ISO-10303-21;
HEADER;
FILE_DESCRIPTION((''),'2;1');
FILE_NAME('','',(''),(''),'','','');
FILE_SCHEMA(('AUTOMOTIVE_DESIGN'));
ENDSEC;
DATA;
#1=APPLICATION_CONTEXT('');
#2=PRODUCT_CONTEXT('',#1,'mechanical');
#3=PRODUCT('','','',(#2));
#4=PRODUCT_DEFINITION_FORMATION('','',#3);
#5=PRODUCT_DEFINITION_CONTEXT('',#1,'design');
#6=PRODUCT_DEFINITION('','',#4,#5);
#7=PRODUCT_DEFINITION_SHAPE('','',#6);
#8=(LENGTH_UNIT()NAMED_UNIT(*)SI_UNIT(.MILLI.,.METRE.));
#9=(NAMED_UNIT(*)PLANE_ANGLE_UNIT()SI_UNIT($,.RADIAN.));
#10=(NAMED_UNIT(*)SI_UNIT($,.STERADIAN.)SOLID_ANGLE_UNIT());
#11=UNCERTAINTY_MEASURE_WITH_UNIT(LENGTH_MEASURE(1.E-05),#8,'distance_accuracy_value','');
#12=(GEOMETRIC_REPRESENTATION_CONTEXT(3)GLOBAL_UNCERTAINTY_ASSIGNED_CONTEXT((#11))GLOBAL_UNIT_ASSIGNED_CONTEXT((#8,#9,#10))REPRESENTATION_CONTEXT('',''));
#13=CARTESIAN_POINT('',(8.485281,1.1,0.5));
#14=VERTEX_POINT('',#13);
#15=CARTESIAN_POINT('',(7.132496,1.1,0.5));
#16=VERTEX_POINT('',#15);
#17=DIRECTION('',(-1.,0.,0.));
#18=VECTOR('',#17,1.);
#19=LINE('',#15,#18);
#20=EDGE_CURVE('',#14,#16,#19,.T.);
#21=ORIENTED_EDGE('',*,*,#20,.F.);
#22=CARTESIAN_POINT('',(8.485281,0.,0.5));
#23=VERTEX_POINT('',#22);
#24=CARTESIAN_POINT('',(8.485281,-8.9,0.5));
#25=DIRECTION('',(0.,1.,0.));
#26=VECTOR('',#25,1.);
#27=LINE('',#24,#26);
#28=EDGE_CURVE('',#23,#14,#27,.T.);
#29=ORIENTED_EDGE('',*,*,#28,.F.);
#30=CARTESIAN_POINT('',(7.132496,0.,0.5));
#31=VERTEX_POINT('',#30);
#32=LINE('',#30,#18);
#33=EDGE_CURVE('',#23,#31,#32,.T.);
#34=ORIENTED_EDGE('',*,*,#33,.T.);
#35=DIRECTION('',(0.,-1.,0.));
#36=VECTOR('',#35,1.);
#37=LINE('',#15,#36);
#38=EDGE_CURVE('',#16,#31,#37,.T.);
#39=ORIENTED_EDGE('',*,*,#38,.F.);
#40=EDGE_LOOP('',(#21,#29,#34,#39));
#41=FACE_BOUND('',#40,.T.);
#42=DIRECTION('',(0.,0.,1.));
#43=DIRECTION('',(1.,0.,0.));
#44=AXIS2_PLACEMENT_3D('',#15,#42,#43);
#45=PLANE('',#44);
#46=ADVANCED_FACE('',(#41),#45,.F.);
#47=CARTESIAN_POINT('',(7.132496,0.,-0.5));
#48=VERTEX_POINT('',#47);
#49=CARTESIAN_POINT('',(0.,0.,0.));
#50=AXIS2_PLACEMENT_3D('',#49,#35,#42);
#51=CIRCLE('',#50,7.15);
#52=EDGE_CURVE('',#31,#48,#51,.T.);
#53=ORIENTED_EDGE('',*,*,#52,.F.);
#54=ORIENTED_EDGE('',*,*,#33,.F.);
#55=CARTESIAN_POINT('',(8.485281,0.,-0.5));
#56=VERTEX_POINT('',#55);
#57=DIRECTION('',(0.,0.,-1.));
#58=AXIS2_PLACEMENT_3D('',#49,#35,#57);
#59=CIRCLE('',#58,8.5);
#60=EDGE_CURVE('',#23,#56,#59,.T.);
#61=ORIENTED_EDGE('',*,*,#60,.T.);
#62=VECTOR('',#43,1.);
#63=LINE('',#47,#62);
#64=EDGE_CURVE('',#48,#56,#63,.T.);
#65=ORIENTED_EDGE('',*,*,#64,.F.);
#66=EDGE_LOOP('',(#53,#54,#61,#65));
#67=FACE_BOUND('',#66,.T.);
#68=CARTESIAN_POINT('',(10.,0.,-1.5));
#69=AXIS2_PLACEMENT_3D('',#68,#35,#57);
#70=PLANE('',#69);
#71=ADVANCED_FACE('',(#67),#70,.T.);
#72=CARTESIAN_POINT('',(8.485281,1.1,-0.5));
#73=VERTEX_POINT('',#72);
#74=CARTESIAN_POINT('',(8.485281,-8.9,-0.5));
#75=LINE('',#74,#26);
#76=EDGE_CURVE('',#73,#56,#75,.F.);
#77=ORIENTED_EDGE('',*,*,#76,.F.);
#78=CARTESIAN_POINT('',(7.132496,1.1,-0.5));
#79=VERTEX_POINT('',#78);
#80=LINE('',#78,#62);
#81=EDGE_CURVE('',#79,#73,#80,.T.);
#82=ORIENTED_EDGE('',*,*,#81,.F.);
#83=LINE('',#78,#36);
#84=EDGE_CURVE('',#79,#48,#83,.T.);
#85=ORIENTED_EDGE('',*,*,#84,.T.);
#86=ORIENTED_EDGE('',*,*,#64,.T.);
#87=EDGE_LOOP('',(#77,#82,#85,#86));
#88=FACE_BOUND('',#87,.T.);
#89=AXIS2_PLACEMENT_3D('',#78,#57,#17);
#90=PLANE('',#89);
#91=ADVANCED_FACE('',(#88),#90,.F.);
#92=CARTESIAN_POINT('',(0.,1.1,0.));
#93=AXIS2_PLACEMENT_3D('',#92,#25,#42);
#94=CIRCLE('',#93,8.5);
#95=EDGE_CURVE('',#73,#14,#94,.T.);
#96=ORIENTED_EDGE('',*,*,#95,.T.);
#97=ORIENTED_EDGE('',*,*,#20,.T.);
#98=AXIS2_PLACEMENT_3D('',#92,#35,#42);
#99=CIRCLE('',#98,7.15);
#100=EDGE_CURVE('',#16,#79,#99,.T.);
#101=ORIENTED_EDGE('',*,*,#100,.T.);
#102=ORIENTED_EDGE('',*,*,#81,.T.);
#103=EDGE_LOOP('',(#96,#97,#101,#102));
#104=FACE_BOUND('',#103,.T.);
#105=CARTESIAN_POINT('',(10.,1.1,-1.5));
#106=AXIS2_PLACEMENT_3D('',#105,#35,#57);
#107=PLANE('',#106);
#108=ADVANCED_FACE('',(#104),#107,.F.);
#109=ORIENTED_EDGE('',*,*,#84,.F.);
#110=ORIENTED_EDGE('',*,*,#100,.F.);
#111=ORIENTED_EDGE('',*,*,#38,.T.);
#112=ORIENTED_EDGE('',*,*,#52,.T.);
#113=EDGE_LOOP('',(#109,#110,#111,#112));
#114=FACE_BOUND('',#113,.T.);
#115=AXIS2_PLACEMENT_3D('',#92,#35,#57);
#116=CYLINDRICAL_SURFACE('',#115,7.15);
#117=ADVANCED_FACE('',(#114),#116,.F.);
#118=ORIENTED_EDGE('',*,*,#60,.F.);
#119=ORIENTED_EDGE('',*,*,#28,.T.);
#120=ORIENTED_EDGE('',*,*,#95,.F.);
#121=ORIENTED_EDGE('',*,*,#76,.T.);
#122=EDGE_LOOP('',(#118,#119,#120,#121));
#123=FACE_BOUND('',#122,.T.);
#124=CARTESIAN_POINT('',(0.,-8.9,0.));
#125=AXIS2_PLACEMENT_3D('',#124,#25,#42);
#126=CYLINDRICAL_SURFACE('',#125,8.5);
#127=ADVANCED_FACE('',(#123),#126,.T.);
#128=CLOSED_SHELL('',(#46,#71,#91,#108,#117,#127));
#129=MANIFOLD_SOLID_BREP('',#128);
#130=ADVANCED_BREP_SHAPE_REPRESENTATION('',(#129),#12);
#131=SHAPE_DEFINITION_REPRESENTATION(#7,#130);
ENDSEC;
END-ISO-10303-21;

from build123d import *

# Parameters (mm, degrees)
SKETCH1_R           = 0.5
BOSS_EXTRUDE1_DEPTH = 1.1
SKETCH2_OUTSIDE_W   = 28.094
SKETCH2_OUTSIDE_H   = 26.594
SKETCH2_OUTSIDE_R   = 8.5
CUT_EXTRUDE1_DEPTH  = 10


with BuildPart() as part:
    # Sketch1 → Boss-Extrude1 (new body)
    with BuildSketch(Plane(origin=(0, 0, 0), x_dir=(1, 0, 0), z_dir=(0, 1, 0))):
        with BuildLine():
            Line((7.132496057, 0.5), (10.5, 0.5))
            ThreePointArc((10.5, 0.5), (10.853553391, 0.646446609), (11, 1))
            Line((11, 1), (11, 1.5))
            ThreePointArc((11, 1.5), (10.707106781, 2.207106781), (10, 2.5))
            Line((10, 2.5), (9.899494937, 2.5))
            ThreePointArc((9.899494937, 2.5), (9.322144667, 2.683503419), (8.956685895, 3.166666667))
            ThreePointArc((8.956685895, 3.166666667), (-9.5, 0), (8.956685895, -3.166666667))
            ThreePointArc((8.956685895, -3.166666667), (9.322144667, -2.683503419), (9.899494937, -2.5))
            Line((9.899494937, -2.5), (10, -2.5))
            ThreePointArc((10, -2.5), (10.707106781, -2.207106781), (11, -1.5))
            Line((11, -1.5), (11, -1))
            ThreePointArc((11, -1), (10.853553391, -0.646446609), (10.5, -0.5))
            Line((10.5, -0.5), (7.132496057, -0.5))
            ThreePointArc((7.132496057, -0.5), (-7.15, 0), (7.132496057, 0.5))
        make_face()
        with Locations(Location((10, 1.5, 0), (0, 0, 270))):
            Circle(SKETCH1_R, mode=Mode.SUBTRACT)
        with Locations(Location((10, -1.5, 0), (0, 0, 270))):
            Circle(SKETCH1_R, mode=Mode.SUBTRACT)
    extrude(amount=BOSS_EXTRUDE1_DEPTH)

    # Sketch2 outside → Cut-Extrude1 (cut)
    with BuildSketch(Plane(origin=(0, 1.1, 0), x_dir=(1, 0, 0), z_dir=(0, 1, 0))):
        with Locations((0.75, 0)):
            Rectangle(SKETCH2_OUTSIDE_W, SKETCH2_OUTSIDE_H)
        Circle(SKETCH2_OUTSIDE_R, mode=Mode.SUBTRACT)
    extrude(amount=-CUT_EXTRUDE1_DEPTH, mode=Mode.SUBTRACT)


solid = part.part
